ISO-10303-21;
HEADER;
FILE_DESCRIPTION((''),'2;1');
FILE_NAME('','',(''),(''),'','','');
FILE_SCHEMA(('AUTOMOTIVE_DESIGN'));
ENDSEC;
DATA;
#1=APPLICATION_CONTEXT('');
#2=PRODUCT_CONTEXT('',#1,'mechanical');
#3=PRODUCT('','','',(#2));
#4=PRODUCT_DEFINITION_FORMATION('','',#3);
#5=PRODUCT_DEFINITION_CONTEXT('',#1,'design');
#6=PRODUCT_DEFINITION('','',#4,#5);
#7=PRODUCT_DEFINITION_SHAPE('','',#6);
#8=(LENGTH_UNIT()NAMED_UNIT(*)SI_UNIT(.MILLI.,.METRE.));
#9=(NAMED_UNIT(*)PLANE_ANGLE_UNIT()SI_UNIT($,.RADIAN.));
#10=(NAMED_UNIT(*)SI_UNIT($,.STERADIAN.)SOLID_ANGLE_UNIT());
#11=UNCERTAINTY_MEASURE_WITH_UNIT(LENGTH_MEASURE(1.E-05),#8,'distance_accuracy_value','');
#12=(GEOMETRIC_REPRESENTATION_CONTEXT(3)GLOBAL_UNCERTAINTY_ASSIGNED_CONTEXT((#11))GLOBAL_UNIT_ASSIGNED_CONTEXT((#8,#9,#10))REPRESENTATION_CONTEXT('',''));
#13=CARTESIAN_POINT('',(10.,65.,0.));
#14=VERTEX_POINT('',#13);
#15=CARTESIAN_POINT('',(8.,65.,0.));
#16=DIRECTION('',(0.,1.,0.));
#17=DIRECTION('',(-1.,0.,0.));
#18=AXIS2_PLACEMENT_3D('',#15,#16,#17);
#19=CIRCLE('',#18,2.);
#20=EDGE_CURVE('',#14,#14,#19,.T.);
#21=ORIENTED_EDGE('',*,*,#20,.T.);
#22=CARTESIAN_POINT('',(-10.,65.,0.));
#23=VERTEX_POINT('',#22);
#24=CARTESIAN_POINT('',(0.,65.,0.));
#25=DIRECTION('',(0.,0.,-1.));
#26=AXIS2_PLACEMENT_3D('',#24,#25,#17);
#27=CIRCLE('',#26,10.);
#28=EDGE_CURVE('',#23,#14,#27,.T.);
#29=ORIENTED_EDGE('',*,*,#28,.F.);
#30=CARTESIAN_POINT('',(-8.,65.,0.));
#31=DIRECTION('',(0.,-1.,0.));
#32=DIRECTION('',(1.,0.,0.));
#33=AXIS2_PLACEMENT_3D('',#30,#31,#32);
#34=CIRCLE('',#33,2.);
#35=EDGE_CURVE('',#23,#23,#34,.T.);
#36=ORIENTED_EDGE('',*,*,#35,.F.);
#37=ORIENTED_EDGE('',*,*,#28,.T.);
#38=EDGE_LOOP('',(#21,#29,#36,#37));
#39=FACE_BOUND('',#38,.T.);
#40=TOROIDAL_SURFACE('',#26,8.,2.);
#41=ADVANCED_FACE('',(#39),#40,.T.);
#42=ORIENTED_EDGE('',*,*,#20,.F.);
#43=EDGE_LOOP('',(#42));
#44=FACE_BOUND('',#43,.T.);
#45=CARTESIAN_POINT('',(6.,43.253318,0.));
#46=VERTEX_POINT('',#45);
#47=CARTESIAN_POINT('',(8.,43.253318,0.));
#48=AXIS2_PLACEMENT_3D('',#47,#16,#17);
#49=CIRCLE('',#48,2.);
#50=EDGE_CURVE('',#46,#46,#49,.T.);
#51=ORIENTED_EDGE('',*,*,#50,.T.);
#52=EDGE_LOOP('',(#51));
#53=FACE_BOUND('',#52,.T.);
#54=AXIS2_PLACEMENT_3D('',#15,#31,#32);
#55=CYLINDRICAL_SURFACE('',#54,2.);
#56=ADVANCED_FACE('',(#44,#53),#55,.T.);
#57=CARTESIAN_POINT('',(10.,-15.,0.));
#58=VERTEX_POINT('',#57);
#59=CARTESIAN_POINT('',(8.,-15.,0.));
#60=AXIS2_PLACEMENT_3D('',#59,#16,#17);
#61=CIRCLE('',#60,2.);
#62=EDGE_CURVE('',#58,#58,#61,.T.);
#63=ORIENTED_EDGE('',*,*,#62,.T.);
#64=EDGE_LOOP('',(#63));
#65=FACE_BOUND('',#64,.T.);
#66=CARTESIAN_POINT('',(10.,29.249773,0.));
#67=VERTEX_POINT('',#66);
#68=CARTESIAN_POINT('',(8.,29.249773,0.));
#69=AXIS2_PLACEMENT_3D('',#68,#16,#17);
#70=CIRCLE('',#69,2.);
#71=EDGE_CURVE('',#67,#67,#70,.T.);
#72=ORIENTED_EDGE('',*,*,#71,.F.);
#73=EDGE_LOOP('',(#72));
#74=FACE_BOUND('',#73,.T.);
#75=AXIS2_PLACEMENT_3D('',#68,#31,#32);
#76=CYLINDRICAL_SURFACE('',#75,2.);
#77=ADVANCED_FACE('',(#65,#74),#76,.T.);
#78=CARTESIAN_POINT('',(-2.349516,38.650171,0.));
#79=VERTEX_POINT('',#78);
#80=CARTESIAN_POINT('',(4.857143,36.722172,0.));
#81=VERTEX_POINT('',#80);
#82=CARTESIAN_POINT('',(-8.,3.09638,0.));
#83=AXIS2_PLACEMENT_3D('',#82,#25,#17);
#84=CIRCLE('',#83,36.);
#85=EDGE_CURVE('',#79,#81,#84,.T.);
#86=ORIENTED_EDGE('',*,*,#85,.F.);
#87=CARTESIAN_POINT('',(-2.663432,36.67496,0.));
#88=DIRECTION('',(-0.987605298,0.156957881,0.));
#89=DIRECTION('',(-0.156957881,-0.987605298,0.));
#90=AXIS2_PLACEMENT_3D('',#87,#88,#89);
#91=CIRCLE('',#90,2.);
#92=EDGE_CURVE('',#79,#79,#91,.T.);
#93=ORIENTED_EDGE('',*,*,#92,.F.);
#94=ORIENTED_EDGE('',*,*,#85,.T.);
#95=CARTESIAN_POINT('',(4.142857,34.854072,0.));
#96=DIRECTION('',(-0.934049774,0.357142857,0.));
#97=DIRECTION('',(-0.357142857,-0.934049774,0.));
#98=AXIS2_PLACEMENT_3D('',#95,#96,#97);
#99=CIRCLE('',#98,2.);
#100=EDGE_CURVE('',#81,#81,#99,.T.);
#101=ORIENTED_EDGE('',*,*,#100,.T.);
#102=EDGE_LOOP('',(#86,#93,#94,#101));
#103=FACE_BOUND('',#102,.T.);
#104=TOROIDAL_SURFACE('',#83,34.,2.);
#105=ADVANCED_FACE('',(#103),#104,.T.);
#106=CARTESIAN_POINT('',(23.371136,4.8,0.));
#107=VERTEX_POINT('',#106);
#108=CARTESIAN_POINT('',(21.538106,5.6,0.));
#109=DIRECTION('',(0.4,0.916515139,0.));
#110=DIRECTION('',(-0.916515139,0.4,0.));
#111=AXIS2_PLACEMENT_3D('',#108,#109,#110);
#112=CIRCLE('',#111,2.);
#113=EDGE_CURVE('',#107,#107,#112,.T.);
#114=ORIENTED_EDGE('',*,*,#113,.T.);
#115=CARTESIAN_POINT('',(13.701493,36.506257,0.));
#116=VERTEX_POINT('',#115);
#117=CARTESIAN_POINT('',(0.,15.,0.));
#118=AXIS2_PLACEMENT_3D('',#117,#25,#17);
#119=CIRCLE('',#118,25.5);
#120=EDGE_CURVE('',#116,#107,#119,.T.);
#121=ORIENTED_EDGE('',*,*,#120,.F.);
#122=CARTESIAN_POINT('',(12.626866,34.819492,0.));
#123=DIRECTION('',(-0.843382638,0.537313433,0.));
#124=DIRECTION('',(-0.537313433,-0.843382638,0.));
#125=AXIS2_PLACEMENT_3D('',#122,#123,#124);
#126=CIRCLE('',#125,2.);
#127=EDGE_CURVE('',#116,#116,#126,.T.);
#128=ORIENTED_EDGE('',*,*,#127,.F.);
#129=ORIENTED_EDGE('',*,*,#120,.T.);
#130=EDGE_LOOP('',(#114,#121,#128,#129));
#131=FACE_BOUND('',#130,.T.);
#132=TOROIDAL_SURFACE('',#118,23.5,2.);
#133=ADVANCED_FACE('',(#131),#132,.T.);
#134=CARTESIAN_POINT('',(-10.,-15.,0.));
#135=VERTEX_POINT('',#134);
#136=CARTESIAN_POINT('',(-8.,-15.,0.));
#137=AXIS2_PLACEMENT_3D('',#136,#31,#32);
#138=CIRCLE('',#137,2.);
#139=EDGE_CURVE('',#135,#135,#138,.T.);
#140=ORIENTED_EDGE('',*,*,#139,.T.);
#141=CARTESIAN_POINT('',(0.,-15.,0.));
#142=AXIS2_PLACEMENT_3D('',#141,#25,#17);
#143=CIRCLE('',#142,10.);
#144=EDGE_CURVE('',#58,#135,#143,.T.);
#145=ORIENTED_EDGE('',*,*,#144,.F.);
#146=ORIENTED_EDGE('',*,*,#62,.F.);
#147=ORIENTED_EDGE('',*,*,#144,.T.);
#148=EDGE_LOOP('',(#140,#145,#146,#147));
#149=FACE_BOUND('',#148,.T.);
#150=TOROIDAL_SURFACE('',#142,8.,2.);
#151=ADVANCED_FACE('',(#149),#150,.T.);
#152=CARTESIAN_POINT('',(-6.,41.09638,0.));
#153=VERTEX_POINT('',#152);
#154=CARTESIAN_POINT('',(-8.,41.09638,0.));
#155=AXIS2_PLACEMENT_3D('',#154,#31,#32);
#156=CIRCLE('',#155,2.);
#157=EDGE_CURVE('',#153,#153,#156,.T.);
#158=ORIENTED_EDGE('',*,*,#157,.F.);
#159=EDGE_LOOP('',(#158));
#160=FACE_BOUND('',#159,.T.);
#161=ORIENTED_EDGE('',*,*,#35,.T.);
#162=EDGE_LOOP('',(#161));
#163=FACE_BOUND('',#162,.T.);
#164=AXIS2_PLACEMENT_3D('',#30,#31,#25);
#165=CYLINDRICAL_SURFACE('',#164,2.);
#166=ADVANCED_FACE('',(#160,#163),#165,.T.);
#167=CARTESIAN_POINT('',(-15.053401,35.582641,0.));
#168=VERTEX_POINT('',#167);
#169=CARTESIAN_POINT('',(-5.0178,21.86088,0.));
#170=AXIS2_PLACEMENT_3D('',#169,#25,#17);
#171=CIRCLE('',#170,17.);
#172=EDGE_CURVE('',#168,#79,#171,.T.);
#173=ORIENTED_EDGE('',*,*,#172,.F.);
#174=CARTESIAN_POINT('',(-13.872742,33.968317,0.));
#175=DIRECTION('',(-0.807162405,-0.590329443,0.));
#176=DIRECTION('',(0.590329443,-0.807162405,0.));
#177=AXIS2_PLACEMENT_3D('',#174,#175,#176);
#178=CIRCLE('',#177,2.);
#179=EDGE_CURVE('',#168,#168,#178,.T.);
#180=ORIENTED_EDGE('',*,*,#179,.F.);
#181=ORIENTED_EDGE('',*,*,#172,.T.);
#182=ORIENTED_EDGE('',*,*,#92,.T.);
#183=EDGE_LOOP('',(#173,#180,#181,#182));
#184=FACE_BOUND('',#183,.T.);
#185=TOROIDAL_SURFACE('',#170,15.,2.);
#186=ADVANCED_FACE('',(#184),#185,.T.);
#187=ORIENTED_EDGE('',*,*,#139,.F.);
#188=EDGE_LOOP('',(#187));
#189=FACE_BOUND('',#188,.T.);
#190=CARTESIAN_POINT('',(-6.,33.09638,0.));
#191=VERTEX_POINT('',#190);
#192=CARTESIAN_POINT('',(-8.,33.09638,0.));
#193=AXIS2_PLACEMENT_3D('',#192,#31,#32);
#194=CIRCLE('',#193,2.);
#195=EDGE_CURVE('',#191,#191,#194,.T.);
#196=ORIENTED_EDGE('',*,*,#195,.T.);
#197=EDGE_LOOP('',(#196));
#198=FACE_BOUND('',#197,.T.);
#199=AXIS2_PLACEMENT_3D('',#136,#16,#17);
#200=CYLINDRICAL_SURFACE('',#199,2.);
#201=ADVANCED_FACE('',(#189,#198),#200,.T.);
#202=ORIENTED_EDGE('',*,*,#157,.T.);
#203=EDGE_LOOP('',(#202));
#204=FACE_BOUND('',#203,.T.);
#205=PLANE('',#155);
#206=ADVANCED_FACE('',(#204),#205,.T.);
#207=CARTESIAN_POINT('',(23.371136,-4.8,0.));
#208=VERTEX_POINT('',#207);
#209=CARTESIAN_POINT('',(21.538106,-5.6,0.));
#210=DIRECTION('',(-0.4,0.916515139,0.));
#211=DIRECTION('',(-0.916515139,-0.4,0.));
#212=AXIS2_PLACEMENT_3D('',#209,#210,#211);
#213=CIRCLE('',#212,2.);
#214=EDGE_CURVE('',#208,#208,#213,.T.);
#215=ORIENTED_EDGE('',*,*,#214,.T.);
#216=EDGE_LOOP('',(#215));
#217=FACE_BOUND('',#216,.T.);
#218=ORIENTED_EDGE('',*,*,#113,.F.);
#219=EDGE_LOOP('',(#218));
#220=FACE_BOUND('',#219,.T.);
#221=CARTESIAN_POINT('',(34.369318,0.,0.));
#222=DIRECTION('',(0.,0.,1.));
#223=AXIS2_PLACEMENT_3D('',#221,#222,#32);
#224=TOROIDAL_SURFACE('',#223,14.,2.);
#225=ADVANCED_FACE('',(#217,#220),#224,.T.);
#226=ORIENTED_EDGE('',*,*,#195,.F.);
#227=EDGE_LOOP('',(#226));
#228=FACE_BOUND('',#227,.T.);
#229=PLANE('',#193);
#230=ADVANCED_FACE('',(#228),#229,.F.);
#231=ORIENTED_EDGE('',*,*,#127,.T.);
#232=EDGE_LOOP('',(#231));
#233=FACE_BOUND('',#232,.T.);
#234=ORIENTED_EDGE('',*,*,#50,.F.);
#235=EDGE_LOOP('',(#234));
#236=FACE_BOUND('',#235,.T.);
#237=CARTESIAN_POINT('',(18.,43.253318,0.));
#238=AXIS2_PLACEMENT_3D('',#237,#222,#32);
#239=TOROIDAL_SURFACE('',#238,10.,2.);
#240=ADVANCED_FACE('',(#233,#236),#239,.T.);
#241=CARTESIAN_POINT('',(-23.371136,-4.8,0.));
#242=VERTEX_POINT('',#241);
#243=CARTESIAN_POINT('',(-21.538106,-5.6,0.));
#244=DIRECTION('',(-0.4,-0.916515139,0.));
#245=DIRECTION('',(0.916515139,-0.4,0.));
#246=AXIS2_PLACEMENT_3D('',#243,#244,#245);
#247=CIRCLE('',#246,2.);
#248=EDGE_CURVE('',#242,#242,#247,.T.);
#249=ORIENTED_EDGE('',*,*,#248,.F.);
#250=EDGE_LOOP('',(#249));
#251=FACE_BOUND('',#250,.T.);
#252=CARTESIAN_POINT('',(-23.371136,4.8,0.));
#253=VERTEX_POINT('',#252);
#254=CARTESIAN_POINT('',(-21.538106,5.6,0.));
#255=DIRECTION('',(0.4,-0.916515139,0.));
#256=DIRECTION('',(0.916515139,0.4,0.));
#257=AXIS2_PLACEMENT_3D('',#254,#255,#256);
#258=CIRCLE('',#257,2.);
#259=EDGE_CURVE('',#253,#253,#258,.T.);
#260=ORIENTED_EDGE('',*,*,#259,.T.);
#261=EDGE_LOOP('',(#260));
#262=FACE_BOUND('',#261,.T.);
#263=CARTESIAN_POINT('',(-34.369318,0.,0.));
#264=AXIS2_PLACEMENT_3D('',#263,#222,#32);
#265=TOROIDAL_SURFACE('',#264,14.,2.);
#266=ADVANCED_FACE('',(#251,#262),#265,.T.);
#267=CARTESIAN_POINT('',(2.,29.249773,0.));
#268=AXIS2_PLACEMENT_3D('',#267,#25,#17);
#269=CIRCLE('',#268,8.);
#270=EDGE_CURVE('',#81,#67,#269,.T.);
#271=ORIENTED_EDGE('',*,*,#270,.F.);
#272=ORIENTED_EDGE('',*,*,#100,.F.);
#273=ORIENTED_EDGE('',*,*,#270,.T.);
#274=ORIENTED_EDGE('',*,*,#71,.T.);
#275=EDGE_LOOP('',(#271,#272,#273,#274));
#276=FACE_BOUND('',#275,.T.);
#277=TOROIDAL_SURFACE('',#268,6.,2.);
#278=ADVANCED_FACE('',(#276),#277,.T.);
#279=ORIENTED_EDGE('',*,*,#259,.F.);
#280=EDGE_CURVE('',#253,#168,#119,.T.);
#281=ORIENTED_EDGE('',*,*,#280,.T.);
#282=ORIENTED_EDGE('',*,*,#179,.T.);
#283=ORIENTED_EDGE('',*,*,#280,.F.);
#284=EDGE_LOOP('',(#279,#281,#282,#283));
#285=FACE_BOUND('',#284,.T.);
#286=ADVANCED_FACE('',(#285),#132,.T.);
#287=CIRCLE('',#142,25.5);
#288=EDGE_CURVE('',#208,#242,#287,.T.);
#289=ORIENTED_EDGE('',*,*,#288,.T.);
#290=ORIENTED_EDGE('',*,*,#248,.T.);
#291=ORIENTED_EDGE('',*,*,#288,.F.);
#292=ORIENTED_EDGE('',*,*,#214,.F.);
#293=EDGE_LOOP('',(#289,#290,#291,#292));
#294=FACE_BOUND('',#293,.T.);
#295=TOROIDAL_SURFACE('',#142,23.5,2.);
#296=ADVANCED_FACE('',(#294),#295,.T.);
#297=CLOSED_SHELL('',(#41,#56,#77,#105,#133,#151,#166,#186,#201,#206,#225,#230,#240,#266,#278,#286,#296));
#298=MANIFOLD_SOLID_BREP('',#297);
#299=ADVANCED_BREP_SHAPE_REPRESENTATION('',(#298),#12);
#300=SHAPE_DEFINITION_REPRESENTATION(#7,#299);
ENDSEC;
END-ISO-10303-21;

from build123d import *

# Parameters (mm, degrees)
SKETCH_4_R = 2


with BuildPart() as part:
    # По траектории2: sweep along a path in Эскиз3
    with BuildLine(Plane.XY) as sweep_2_path:
        Line((-8, 33.096379794), (-8, -15))
        ThreePointArc((-8, -15), (0, -23), (8, -15))
        Line((8, -15), (8, 29.249773455))
        ThreePointArc((8, 29.249773455), (6.942526826, 32.651453712), (4.142857143, 34.854072097))
        ThreePointArc((4.142857143, 34.854072097), (0.787006514, 35.941295938), (-2.663432053, 36.674959909))
        ThreePointArc((-2.663432053, 36.674959909), (-8.538573381, 36.44183229), (-13.872741909, 33.968316529))
        ThreePointArc((-13.872741909, 33.968316529), (-22.686391933, 21.130058814), (-21.538105766, 5.6))
        ThreePointArc((-21.538105766, 5.6), (-20.369317712, 0), (-21.538105766, -5.6))
        ThreePointArc((-21.538105766, -5.6), (0, -38.5), (21.538105766, -5.6))
        ThreePointArc((21.538105766, -5.6), (20.369317712, 0), (21.538105766, 5.6))
        ThreePointArc((21.538105766, 5.6), (22.477900182, 21.85521724), (12.626865672, 34.819492004))
        ThreePointArc((12.626865672, 34.819492004), (9.232693022, 38.443502555), (8, 43.253318389))
        Line((8, 43.253318389), (8, 65))
        ThreePointArc((8, 65), (0, 73), (-8, 65))
        Line((-8, 65), (-8, 41.096379794))
    # Эскиз4 → По траектории2 (sweep)
    with BuildSketch(Plane(origin=(-8, 41.096379794, 0), x_dir=(-1, 0, 0), z_dir=(0, -1, 0))):
        Circle(SKETCH_4_R)
    sweep(path=sweep_2_path.line)


solid = part.part
